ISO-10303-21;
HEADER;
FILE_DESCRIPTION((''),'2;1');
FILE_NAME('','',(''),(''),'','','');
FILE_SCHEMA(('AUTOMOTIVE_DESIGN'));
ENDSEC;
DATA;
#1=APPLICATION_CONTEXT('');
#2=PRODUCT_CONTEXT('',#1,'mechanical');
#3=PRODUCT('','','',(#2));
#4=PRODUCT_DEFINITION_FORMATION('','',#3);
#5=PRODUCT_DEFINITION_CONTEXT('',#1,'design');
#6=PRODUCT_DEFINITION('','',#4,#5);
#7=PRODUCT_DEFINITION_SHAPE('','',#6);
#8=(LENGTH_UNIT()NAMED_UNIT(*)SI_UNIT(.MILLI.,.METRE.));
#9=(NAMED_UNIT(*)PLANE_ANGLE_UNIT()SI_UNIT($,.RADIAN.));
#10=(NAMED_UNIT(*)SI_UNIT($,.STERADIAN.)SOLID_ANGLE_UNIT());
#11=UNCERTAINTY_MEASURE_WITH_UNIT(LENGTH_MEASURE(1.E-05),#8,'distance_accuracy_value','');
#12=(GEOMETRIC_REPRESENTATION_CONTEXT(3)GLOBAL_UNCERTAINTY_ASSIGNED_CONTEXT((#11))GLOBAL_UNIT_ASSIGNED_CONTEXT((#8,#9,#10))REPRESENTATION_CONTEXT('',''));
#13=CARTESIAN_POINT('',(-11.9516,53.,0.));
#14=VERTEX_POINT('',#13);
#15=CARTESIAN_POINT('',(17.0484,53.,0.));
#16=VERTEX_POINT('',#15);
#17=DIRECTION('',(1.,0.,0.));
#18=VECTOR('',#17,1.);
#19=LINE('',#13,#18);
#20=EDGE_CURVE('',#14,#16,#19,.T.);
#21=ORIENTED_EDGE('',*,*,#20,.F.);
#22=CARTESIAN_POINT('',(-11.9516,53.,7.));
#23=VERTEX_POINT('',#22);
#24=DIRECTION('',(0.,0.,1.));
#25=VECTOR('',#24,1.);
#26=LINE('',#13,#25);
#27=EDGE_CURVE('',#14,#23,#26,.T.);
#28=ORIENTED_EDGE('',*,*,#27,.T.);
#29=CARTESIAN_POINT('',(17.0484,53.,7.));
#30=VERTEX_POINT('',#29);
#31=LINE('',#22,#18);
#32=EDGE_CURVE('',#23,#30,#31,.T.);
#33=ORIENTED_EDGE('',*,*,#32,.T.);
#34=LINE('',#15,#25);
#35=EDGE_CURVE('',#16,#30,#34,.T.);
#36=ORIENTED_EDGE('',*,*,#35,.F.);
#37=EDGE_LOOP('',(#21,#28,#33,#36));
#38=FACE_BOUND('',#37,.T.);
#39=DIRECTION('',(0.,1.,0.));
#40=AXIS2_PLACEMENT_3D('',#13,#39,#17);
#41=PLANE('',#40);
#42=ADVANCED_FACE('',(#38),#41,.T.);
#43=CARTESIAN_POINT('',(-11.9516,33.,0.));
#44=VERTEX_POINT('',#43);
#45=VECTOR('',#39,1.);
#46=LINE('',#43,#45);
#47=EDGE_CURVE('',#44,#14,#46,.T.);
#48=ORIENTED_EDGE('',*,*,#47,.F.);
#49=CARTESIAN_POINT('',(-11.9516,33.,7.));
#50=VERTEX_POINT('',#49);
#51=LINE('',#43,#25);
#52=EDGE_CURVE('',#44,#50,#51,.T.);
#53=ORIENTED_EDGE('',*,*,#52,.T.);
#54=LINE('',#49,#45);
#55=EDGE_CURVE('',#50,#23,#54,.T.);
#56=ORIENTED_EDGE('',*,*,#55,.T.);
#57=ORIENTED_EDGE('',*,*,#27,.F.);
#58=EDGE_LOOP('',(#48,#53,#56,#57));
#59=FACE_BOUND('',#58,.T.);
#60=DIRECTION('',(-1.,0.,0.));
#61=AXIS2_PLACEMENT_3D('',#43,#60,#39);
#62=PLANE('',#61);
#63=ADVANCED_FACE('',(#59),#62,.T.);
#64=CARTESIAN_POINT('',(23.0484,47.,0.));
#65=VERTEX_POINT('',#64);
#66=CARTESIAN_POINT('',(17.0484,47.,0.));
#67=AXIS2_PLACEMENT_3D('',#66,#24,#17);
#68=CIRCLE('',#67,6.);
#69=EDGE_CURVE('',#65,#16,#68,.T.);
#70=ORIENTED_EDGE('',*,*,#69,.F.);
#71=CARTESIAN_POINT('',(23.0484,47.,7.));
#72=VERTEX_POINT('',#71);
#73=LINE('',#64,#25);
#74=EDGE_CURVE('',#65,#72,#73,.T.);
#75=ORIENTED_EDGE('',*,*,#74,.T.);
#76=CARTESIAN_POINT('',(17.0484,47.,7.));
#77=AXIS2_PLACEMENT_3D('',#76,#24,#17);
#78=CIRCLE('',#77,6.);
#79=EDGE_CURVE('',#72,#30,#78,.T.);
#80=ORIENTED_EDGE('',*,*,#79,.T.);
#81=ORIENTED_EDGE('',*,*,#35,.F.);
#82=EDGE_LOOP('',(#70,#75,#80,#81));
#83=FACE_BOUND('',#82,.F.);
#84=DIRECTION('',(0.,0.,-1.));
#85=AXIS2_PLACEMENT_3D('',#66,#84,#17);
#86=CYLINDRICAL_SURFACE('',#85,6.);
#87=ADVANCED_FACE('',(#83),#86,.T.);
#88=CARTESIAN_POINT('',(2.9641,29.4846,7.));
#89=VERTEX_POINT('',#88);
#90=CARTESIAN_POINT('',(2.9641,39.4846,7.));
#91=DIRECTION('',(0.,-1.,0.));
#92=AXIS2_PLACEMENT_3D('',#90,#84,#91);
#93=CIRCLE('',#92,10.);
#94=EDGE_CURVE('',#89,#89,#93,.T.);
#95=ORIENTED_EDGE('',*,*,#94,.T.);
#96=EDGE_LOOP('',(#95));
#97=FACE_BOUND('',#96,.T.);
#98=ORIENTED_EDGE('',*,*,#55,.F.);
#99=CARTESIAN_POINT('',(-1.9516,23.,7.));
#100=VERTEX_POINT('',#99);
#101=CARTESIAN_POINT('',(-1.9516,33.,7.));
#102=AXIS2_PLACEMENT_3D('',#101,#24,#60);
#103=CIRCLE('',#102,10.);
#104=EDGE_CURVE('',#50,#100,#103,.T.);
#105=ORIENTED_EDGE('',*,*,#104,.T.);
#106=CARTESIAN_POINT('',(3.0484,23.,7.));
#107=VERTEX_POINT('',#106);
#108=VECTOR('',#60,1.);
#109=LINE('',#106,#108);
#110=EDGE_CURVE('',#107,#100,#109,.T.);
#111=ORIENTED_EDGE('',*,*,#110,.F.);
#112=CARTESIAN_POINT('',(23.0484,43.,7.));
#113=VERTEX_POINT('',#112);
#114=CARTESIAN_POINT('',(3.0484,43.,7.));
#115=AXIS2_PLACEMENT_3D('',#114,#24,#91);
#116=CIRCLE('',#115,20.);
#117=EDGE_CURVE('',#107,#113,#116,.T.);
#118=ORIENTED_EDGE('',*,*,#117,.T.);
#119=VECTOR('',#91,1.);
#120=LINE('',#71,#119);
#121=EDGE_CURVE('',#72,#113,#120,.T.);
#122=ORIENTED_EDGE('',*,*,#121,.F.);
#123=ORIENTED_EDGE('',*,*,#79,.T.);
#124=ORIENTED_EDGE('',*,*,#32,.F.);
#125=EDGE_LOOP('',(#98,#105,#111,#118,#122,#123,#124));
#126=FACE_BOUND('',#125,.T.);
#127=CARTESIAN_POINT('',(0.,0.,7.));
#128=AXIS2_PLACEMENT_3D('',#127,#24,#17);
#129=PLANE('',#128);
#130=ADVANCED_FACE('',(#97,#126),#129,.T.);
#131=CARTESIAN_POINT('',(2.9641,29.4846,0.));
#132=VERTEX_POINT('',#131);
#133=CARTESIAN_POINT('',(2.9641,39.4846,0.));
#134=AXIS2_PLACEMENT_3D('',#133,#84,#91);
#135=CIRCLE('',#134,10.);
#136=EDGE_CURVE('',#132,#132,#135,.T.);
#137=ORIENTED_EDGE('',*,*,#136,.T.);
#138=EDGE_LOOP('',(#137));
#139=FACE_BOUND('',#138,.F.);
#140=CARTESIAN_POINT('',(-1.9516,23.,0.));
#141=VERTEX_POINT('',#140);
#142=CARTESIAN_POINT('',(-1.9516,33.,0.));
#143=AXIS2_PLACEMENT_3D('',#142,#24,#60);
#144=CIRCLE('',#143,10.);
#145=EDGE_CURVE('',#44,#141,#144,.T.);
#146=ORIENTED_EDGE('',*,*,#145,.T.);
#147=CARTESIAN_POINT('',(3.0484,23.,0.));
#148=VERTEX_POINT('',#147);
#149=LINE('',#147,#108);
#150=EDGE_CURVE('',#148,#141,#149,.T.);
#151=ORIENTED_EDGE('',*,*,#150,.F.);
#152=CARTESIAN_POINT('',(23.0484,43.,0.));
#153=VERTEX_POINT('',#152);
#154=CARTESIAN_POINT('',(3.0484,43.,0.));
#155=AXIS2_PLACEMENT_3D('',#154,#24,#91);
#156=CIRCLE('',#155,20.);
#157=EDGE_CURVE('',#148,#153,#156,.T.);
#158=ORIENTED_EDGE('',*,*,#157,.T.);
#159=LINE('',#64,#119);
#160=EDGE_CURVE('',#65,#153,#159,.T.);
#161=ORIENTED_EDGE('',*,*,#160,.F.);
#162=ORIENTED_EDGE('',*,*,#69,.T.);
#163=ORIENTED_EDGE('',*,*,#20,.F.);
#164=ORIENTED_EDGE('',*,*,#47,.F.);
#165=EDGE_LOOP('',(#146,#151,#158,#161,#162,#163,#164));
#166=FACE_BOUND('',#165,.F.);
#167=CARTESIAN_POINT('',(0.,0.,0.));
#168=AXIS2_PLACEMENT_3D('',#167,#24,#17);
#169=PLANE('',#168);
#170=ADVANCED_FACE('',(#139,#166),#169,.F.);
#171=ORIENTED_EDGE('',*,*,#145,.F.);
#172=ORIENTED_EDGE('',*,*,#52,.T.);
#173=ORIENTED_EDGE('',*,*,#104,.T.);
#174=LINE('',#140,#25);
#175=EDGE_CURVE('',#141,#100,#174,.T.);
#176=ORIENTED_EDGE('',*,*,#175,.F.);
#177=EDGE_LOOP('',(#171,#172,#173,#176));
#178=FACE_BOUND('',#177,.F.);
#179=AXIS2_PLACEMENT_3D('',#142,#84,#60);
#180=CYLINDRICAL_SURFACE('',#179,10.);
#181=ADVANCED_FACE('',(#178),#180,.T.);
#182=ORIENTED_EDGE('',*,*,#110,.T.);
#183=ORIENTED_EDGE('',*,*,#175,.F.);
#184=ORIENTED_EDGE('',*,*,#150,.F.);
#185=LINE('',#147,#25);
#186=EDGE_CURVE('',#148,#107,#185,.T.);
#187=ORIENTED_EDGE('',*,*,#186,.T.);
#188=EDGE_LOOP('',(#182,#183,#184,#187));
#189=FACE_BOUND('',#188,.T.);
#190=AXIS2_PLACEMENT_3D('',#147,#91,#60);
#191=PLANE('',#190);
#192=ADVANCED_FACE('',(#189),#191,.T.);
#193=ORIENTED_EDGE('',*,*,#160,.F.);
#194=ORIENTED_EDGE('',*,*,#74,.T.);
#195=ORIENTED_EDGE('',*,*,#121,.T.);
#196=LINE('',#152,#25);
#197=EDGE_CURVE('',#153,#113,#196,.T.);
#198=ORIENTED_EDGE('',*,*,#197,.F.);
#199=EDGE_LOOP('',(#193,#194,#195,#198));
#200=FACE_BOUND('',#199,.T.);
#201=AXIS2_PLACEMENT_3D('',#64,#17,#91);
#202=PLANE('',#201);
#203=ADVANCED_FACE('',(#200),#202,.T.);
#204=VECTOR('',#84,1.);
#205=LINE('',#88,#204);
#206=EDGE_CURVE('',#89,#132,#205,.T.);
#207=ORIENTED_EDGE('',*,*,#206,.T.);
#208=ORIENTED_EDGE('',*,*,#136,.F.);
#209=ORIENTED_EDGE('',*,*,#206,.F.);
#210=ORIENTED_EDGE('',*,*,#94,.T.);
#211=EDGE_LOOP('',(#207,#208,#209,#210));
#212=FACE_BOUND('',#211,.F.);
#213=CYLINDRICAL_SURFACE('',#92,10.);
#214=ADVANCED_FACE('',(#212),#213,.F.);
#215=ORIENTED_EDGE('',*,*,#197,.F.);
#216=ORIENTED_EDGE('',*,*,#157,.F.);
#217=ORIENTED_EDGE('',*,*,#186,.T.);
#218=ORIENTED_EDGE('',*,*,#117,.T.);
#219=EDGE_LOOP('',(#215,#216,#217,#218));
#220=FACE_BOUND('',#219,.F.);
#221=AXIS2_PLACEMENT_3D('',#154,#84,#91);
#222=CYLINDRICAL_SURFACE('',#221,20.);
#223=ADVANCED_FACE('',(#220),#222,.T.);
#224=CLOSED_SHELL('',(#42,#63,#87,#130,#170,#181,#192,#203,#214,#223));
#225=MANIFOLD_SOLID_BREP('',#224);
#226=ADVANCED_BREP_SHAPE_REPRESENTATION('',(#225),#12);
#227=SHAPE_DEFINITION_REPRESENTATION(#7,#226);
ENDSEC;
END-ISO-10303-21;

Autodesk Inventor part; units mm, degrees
ref_plane "YZ Plane" through (0, 0, 0) normal (1, 0, 0) x (0, 1, 0)
ref_plane "XZ Plane" through (0, 0, 0) normal (0, 1, 0) x (-1, 0, 0)
ref_plane "XY Plane" through (0, 0, 0) normal (0, 0, 1) x (1, 0, 0)
sketch "Sketch1" plane through (0, 0, 0) normal (0, 0, 1) x (1, 0, 0)
  line L0 (-11.9516, 53) -> (17.0484, 53)
  line L1 (23.0484, 47) -> (23.0484, 43)
  line L2 (3.0484, 23) -> (-1.9516, 23)
  line L3 (-11.9516, 33) -> (-11.9516, 53)
  arc A0 (23.0484, 47) -> (17.0484, 53) centre (17.0484, 47) ccw
  arc A1 (3.0484, 23) -> (23.0484, 43) centre (3.0484, 43) ccw
  arc A2 (-11.9516, 33) -> (-1.9516, 23) centre (-1.9516, 33) ccw
  point P0 (0, 0)
  point P1 (23.0484, 23)
  point P2 (-11.9516, 23)
  dimension "d0" = 6
  dimension "d1" = 30
  dimension "d2" = 35
  dimension "d3" = 20
  dimension "d4" = 10
extrude "Extrusion1" add sketch "Sketch1" along normal blind 7
sketch "Sketch2" plane through (0, 0, 7) normal (0, 0, 1) x (1, 0, 0)
  point P0 (0, 0)
  point P1 (2.9641, 39.4846)
hole "Hole1" at (2.9641, 39.4846, 7) direction (0, 0, -1) diameter 20 end through all
properties part number "McCrea_oko_walle"
